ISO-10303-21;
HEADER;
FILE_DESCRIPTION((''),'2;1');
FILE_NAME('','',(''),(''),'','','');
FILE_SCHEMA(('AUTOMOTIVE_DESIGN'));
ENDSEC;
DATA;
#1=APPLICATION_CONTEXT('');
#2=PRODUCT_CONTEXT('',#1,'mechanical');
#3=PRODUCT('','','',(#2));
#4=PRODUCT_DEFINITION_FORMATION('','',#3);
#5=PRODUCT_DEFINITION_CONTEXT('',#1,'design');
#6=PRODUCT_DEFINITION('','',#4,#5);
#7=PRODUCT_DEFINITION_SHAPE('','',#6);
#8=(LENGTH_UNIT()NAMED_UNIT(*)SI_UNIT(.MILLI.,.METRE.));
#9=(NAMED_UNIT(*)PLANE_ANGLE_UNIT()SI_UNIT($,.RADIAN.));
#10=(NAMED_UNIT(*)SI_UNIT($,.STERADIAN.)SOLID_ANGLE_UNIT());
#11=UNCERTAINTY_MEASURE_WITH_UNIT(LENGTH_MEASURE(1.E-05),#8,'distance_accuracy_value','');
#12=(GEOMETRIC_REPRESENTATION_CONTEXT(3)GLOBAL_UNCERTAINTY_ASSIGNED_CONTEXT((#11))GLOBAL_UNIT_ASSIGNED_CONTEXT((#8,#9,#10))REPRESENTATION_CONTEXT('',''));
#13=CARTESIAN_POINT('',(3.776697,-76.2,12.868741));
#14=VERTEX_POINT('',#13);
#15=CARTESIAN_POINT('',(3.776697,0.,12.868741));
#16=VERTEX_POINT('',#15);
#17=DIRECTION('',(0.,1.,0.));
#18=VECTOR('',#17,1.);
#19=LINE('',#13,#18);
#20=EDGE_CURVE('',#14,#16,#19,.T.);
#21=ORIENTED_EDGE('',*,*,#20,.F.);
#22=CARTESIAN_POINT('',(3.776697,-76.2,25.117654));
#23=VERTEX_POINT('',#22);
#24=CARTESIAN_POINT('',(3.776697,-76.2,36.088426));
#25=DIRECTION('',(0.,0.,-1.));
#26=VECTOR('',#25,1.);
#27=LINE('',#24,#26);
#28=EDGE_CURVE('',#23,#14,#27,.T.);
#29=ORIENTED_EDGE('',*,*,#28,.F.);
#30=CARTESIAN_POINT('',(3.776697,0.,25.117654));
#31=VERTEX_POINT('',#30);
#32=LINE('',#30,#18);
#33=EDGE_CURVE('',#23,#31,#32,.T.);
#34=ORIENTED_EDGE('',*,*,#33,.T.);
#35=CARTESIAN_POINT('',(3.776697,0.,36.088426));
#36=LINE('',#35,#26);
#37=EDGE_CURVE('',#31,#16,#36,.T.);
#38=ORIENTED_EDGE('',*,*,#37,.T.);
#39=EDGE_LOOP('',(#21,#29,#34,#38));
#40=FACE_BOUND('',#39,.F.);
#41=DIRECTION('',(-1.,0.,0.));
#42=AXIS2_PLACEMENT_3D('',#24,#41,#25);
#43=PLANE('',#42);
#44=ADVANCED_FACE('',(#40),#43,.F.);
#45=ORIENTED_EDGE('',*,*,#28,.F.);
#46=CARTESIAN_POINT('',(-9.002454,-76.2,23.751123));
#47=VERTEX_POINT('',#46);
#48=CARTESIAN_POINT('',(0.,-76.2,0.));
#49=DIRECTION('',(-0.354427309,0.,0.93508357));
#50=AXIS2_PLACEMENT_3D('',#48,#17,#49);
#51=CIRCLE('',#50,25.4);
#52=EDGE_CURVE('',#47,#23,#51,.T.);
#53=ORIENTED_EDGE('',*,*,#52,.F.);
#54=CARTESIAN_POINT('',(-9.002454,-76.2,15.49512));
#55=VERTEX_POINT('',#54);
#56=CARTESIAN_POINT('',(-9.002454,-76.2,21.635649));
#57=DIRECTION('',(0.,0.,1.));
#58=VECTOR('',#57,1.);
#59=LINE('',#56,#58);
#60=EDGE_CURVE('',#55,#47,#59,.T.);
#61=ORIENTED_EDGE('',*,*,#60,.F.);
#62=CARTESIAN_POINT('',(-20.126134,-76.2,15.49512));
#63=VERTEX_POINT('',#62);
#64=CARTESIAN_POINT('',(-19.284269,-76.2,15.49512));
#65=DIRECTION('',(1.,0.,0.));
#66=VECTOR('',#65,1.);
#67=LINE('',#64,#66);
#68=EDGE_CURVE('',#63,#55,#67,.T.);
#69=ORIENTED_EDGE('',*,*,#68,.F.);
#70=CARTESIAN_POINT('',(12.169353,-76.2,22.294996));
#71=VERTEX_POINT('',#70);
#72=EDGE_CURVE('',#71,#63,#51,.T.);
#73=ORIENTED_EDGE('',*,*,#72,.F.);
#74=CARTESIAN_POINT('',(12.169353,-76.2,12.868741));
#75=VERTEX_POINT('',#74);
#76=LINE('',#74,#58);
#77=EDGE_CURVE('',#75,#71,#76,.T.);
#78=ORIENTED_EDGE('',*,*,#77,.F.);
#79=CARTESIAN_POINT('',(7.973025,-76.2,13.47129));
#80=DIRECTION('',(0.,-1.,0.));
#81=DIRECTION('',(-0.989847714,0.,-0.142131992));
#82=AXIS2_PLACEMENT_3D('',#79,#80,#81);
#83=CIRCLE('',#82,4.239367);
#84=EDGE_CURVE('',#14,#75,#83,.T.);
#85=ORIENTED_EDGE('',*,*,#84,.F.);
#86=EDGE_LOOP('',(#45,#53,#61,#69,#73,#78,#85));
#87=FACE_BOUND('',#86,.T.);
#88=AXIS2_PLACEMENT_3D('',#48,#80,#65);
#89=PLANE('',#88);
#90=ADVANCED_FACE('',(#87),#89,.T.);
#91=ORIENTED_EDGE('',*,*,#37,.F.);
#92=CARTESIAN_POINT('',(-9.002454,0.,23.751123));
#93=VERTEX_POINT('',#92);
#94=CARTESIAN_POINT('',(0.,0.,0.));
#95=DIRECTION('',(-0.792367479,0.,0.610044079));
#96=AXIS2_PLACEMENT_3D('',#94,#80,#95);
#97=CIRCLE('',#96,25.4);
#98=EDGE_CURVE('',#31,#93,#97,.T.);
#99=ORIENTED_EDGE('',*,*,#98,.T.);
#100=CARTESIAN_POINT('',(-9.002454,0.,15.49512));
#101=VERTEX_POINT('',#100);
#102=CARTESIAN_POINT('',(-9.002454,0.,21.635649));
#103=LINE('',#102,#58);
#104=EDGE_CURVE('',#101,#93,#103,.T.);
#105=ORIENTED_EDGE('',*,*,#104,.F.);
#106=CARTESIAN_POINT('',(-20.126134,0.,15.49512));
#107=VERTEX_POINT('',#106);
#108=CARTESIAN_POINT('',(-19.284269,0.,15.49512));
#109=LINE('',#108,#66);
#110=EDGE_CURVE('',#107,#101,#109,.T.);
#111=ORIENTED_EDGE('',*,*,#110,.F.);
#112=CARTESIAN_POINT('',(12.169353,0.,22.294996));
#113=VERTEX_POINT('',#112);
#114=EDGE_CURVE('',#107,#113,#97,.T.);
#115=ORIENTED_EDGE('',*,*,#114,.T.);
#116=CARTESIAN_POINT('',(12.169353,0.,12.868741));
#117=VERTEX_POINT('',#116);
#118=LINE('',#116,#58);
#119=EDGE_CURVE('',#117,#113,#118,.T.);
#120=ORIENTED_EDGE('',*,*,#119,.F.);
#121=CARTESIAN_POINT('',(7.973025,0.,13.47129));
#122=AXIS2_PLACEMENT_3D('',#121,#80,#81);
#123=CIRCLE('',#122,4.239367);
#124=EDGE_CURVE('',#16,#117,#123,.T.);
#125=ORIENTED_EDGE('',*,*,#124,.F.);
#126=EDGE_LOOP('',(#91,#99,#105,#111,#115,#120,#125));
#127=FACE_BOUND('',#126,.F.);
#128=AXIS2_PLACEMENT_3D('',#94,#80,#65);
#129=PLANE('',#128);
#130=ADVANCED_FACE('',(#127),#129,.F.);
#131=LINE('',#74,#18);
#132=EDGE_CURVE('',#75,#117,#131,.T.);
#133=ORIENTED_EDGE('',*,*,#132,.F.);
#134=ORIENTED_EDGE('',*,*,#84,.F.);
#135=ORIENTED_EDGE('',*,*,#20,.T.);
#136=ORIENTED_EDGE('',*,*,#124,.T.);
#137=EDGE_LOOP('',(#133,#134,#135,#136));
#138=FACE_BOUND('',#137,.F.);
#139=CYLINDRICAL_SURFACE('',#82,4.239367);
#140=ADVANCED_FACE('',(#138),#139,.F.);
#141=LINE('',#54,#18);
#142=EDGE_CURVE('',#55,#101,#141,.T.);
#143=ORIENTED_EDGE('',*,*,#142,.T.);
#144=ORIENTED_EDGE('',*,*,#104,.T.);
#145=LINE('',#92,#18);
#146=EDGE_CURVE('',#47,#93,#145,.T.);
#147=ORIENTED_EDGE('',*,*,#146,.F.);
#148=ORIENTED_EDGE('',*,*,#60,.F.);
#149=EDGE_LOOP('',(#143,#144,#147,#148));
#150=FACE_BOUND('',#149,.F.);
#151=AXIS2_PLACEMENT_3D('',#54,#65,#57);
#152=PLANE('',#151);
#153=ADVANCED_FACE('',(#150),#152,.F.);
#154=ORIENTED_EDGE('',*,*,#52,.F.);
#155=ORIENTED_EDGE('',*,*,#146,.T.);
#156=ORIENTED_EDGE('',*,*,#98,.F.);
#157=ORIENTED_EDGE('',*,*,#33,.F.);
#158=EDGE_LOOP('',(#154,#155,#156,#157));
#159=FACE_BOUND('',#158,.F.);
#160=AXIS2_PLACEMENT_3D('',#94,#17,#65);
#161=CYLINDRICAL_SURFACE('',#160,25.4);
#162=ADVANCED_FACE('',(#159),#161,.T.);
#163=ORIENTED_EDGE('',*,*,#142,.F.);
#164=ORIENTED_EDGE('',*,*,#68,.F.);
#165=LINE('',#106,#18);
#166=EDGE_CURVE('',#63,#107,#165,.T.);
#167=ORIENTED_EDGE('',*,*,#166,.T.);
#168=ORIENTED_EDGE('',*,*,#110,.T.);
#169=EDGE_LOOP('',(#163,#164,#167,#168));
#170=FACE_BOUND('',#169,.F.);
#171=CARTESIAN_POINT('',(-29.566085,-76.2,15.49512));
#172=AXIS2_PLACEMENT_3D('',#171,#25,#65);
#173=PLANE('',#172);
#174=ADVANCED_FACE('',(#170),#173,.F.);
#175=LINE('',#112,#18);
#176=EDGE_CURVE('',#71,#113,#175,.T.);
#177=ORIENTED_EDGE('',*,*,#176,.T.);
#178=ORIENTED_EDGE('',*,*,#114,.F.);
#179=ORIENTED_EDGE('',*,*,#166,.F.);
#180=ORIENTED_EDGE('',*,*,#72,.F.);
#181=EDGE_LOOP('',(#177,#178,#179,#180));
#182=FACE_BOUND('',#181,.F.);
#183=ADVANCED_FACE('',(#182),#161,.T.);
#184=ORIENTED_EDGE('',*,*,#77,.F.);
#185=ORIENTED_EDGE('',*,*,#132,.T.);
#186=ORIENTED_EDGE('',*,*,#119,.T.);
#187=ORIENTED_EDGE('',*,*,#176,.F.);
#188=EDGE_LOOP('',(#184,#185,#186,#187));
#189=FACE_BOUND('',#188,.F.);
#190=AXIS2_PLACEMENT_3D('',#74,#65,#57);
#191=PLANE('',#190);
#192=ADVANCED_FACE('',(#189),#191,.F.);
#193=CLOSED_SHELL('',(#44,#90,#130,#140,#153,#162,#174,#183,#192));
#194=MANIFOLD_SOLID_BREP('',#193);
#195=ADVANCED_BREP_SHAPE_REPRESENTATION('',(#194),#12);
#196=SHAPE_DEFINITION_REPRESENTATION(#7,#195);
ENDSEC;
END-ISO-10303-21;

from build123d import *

# Parameters (mm, degrees)
F0_R     = 25.4
F1_DEPTH = 76.2
F2_W     = 20.5636313185
F2_H     = 12.2810583562
F3_DEPTH = 76.2
F5_DEPTH = 76.2


with BuildPart() as f1:
    # F0 (on Front) → F1 (new body)
    with BuildSketch(Plane.XZ):
        Circle(F0_R)
    extrude(amount=F1_DEPTH)

    # F2 (on face) → F3 (cut)
    with BuildSketch(Plane.XZ.offset(76.2)):
        with Locations((-19.2842693068, 21.6356487945)):
            Rectangle(F2_W, F2_H)
    extrude(amount=-F3_DEPTH, mode=Mode.SUBTRACT)

    # F4 (on face) → F5 (cut)
    with BuildSketch(Plane.XZ.offset(76.2)):
        with BuildLine():
            Line((12.1693527326, 12.8687405959), (3.7766969763, 12.8687405959))
            ThreePointArc((3.7766969763, 12.8687405959), (7.9730248544, 9.231923148), (12.1693527326, 12.8687405959))
        make_face()
        with BuildLine():
            Line((3.7766969763, 14.0738399925), (3.7766969763, 12.8687405959))
            Line((3.7766969763, 12.8687405959), (12.1693527326, 12.8687405959))
            Line((12.1693527326, 12.8687405959), (12.1693527326, 14.0738399925))
            ThreePointArc((12.1693527326, 14.0738399925), (7.9730248544, 17.7106574404), (3.7766969763, 14.0738399925))
        make_face()
        with BuildLine():
            Line((3.7766969763, 36.0884256661), (3.7766969763, 25.1176543481))
            ThreePointArc((3.7766969763, 25.1176543481), (8.096973208, 24.0748629252), (12.1693527326, 22.2949961666))
            Line((12.1693527326, 22.2949961666), (12.1693527326, 36.0884256661))
            Line((12.1693527326, 36.0884256661), (3.7766969763, 36.0884256661))
        make_face()
        with BuildLine():
            Line((3.7766969763, 25.1176543481), (3.7766969763, 14.0738399925))
            ThreePointArc((3.7766969763, 14.0738399925), (7.9730248544, 17.7106574404), (12.1693527326, 14.0738399925))
            Line((12.1693527326, 14.0738399925), (12.1693527326, 22.2949961666))
            ThreePointArc((12.1693527326, 22.2949961666), (8.096973208, 24.0748629252), (3.7766969763, 25.1176543481))
        make_face()
    extrude(amount=-F5_DEPTH, mode=Mode.SUBTRACT)


solid = f1.part
